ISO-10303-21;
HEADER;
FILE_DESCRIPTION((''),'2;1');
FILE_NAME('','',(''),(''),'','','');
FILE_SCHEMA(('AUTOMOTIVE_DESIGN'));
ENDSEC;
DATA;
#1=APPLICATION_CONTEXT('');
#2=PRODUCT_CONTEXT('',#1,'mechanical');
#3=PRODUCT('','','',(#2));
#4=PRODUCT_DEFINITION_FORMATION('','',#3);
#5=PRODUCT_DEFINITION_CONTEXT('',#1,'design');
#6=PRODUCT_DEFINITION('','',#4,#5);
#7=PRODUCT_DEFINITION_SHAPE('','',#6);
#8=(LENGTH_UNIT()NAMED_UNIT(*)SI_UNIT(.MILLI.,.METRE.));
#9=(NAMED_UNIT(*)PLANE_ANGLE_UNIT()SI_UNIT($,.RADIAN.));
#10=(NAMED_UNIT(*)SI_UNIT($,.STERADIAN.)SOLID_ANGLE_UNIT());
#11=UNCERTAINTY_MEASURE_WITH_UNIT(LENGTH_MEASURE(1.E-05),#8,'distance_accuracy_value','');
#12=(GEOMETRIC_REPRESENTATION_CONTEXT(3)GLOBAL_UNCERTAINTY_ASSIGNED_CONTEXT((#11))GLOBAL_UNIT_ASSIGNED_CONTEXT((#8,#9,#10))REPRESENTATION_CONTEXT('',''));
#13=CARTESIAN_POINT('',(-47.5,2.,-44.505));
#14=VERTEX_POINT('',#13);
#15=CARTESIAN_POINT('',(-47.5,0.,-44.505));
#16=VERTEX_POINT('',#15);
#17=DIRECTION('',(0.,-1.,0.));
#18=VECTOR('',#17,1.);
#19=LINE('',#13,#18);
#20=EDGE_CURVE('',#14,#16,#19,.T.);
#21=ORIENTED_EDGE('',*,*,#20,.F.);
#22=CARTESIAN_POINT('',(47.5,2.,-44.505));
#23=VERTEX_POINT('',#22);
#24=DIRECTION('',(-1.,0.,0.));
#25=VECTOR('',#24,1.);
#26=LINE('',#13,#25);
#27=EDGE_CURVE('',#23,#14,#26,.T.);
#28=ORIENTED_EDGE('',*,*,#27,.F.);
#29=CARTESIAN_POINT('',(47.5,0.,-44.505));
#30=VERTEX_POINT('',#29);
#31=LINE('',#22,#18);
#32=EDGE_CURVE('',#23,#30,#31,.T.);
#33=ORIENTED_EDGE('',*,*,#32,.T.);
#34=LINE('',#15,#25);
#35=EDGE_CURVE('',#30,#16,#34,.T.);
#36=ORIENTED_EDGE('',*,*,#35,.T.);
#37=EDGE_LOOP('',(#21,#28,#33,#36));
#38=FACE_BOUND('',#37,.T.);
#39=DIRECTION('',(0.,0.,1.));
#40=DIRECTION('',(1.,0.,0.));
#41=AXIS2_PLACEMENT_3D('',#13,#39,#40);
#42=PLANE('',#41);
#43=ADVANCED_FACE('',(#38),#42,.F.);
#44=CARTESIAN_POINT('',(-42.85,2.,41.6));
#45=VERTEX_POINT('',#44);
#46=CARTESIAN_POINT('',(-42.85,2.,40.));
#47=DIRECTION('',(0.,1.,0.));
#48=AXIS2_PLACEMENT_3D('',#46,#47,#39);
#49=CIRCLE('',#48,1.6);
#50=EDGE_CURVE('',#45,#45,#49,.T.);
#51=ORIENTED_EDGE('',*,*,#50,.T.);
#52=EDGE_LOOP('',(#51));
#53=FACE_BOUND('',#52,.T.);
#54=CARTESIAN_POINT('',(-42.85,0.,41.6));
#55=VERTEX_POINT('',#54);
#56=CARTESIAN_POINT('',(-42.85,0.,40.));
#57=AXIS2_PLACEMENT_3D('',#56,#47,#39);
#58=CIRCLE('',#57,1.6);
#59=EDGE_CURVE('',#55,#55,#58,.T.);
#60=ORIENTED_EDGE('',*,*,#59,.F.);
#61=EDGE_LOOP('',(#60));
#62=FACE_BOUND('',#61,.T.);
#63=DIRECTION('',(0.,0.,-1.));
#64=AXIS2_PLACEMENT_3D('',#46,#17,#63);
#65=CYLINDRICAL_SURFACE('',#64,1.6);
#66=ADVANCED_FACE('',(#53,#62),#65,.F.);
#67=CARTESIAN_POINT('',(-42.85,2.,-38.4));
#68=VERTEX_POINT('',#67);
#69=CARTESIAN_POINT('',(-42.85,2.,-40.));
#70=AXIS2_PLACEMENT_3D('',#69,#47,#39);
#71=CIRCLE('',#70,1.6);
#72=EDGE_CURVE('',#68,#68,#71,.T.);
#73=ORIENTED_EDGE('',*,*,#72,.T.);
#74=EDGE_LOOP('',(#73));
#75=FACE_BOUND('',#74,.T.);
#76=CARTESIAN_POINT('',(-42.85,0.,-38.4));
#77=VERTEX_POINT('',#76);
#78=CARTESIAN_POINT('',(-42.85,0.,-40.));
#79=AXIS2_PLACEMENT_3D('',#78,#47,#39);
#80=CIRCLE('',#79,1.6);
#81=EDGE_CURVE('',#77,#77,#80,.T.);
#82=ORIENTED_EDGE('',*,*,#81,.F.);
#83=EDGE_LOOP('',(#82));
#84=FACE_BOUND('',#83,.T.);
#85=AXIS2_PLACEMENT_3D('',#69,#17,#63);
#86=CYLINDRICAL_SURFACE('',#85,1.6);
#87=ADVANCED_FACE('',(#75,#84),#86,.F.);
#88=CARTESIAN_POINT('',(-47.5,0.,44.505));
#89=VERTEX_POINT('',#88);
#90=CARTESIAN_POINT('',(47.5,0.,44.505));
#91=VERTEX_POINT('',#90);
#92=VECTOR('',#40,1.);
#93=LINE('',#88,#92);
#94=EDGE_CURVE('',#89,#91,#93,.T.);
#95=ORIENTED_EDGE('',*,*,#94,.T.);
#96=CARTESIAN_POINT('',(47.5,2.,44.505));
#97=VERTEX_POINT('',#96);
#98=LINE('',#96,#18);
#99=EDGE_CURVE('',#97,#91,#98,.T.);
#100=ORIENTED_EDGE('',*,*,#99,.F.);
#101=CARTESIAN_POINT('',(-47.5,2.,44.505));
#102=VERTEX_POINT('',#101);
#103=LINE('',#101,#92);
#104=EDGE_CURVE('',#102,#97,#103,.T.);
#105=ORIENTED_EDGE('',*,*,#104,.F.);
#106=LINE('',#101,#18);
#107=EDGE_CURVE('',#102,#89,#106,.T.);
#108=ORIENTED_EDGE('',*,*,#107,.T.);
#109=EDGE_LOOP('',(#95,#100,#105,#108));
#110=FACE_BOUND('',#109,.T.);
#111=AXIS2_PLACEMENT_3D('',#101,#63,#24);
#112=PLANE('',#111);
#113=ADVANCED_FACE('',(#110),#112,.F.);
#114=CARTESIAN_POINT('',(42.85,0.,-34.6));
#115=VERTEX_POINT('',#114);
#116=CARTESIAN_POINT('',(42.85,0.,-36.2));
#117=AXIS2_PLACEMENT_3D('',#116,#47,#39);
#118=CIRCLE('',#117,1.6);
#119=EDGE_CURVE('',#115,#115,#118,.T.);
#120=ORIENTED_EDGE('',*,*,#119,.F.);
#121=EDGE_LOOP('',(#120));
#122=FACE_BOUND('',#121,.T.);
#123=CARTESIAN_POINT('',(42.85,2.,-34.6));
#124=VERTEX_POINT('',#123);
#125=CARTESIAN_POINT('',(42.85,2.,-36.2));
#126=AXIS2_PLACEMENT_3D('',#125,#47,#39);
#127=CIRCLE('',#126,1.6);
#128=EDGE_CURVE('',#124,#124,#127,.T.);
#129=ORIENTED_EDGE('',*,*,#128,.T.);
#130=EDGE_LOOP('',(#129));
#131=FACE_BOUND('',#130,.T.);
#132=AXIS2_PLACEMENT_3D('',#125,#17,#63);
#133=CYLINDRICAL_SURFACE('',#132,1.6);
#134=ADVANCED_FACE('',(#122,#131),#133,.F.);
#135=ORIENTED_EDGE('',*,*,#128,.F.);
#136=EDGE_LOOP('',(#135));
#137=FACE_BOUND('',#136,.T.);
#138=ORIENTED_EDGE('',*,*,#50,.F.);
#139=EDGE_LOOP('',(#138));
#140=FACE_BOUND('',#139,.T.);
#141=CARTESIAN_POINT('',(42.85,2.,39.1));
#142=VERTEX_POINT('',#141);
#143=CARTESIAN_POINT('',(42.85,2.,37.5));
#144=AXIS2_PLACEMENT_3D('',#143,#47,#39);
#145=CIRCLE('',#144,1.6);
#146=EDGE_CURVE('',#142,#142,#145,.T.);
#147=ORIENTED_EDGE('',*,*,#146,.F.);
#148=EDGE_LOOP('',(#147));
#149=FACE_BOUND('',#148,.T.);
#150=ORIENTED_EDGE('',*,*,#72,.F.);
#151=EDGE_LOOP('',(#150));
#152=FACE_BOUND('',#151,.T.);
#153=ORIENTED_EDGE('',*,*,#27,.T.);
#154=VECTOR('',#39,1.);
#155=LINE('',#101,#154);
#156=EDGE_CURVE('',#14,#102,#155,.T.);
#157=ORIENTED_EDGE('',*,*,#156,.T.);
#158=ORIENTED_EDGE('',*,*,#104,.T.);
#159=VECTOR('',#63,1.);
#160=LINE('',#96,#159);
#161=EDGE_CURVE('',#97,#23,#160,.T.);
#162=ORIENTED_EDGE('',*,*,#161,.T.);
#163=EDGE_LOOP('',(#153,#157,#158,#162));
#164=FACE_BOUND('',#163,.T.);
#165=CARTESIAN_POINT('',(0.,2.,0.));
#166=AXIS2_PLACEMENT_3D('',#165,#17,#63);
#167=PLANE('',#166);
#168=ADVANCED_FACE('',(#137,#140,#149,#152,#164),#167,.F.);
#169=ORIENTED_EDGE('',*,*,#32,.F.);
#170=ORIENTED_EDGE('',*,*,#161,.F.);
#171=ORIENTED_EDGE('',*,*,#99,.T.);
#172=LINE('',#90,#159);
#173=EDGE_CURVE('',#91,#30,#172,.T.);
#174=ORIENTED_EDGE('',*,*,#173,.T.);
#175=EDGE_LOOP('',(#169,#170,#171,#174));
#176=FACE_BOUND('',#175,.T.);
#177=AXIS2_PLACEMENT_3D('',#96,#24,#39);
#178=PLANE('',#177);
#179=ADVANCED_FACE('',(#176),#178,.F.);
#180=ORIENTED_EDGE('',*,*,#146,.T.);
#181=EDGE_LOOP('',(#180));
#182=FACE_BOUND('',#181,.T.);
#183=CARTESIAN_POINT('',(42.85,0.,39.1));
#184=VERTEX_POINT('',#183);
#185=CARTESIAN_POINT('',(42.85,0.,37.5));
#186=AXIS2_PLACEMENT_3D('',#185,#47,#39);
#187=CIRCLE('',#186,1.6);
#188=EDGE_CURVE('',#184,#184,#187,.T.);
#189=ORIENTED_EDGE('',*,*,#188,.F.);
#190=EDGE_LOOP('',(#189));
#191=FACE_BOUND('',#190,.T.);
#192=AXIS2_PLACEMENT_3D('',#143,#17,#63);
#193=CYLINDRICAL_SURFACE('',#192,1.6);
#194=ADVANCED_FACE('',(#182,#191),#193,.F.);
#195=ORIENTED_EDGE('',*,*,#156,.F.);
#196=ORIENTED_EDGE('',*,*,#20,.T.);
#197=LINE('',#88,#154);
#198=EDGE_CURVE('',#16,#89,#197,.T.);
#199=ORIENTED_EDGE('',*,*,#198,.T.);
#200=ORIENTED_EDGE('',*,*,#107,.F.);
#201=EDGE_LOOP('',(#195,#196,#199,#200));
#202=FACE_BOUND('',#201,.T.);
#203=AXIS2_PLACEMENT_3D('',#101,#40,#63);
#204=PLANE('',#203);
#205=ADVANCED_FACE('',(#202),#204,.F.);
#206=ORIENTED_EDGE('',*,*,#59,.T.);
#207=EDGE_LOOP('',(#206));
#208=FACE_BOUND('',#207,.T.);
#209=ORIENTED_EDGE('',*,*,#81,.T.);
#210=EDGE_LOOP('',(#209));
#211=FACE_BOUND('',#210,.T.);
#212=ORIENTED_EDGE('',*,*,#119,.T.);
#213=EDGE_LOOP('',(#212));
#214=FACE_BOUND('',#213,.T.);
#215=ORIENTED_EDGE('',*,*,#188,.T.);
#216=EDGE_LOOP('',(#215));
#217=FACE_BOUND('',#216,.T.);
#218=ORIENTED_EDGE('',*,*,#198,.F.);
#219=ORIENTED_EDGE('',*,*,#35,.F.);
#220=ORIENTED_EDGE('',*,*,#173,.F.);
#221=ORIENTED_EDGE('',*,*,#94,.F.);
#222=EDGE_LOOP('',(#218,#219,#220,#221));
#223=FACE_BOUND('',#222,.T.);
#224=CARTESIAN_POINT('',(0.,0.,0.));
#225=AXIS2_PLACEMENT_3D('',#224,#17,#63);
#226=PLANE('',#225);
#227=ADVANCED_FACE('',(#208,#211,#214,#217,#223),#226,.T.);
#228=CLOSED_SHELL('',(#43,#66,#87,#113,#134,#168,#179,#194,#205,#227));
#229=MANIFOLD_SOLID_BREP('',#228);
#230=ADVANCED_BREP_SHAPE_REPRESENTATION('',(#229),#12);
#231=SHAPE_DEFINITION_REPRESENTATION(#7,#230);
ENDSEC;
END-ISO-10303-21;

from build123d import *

# Parameters (mm, degrees)
SKETCH1_W           = 95
SKETCH1_H           = 89.01
SKETCH1_R           = 1.6
BOSS_EXTRUDE1_DEPTH = 2


with BuildPart() as part:
    # Sketch1 → Boss-Extrude1 (new body)
    with BuildSketch(Plane(origin=(0, 0, 0), x_dir=(1, 0, 0), z_dir=(0, 1, 0))):
        Rectangle(SKETCH1_W, SKETCH1_H)
        with Locations((-42.85, 40)):
            Circle(SKETCH1_R, mode=Mode.SUBTRACT)
        with Locations((42.85, 36.2)):
            Circle(SKETCH1_R, mode=Mode.SUBTRACT)
        with Locations((-42.85, -40)):
            Circle(SKETCH1_R, mode=Mode.SUBTRACT)
        with Locations((42.85, -37.5)):
            Circle(SKETCH1_R, mode=Mode.SUBTRACT)
    extrude(amount=BOSS_EXTRUDE1_DEPTH)


solid = part.part
